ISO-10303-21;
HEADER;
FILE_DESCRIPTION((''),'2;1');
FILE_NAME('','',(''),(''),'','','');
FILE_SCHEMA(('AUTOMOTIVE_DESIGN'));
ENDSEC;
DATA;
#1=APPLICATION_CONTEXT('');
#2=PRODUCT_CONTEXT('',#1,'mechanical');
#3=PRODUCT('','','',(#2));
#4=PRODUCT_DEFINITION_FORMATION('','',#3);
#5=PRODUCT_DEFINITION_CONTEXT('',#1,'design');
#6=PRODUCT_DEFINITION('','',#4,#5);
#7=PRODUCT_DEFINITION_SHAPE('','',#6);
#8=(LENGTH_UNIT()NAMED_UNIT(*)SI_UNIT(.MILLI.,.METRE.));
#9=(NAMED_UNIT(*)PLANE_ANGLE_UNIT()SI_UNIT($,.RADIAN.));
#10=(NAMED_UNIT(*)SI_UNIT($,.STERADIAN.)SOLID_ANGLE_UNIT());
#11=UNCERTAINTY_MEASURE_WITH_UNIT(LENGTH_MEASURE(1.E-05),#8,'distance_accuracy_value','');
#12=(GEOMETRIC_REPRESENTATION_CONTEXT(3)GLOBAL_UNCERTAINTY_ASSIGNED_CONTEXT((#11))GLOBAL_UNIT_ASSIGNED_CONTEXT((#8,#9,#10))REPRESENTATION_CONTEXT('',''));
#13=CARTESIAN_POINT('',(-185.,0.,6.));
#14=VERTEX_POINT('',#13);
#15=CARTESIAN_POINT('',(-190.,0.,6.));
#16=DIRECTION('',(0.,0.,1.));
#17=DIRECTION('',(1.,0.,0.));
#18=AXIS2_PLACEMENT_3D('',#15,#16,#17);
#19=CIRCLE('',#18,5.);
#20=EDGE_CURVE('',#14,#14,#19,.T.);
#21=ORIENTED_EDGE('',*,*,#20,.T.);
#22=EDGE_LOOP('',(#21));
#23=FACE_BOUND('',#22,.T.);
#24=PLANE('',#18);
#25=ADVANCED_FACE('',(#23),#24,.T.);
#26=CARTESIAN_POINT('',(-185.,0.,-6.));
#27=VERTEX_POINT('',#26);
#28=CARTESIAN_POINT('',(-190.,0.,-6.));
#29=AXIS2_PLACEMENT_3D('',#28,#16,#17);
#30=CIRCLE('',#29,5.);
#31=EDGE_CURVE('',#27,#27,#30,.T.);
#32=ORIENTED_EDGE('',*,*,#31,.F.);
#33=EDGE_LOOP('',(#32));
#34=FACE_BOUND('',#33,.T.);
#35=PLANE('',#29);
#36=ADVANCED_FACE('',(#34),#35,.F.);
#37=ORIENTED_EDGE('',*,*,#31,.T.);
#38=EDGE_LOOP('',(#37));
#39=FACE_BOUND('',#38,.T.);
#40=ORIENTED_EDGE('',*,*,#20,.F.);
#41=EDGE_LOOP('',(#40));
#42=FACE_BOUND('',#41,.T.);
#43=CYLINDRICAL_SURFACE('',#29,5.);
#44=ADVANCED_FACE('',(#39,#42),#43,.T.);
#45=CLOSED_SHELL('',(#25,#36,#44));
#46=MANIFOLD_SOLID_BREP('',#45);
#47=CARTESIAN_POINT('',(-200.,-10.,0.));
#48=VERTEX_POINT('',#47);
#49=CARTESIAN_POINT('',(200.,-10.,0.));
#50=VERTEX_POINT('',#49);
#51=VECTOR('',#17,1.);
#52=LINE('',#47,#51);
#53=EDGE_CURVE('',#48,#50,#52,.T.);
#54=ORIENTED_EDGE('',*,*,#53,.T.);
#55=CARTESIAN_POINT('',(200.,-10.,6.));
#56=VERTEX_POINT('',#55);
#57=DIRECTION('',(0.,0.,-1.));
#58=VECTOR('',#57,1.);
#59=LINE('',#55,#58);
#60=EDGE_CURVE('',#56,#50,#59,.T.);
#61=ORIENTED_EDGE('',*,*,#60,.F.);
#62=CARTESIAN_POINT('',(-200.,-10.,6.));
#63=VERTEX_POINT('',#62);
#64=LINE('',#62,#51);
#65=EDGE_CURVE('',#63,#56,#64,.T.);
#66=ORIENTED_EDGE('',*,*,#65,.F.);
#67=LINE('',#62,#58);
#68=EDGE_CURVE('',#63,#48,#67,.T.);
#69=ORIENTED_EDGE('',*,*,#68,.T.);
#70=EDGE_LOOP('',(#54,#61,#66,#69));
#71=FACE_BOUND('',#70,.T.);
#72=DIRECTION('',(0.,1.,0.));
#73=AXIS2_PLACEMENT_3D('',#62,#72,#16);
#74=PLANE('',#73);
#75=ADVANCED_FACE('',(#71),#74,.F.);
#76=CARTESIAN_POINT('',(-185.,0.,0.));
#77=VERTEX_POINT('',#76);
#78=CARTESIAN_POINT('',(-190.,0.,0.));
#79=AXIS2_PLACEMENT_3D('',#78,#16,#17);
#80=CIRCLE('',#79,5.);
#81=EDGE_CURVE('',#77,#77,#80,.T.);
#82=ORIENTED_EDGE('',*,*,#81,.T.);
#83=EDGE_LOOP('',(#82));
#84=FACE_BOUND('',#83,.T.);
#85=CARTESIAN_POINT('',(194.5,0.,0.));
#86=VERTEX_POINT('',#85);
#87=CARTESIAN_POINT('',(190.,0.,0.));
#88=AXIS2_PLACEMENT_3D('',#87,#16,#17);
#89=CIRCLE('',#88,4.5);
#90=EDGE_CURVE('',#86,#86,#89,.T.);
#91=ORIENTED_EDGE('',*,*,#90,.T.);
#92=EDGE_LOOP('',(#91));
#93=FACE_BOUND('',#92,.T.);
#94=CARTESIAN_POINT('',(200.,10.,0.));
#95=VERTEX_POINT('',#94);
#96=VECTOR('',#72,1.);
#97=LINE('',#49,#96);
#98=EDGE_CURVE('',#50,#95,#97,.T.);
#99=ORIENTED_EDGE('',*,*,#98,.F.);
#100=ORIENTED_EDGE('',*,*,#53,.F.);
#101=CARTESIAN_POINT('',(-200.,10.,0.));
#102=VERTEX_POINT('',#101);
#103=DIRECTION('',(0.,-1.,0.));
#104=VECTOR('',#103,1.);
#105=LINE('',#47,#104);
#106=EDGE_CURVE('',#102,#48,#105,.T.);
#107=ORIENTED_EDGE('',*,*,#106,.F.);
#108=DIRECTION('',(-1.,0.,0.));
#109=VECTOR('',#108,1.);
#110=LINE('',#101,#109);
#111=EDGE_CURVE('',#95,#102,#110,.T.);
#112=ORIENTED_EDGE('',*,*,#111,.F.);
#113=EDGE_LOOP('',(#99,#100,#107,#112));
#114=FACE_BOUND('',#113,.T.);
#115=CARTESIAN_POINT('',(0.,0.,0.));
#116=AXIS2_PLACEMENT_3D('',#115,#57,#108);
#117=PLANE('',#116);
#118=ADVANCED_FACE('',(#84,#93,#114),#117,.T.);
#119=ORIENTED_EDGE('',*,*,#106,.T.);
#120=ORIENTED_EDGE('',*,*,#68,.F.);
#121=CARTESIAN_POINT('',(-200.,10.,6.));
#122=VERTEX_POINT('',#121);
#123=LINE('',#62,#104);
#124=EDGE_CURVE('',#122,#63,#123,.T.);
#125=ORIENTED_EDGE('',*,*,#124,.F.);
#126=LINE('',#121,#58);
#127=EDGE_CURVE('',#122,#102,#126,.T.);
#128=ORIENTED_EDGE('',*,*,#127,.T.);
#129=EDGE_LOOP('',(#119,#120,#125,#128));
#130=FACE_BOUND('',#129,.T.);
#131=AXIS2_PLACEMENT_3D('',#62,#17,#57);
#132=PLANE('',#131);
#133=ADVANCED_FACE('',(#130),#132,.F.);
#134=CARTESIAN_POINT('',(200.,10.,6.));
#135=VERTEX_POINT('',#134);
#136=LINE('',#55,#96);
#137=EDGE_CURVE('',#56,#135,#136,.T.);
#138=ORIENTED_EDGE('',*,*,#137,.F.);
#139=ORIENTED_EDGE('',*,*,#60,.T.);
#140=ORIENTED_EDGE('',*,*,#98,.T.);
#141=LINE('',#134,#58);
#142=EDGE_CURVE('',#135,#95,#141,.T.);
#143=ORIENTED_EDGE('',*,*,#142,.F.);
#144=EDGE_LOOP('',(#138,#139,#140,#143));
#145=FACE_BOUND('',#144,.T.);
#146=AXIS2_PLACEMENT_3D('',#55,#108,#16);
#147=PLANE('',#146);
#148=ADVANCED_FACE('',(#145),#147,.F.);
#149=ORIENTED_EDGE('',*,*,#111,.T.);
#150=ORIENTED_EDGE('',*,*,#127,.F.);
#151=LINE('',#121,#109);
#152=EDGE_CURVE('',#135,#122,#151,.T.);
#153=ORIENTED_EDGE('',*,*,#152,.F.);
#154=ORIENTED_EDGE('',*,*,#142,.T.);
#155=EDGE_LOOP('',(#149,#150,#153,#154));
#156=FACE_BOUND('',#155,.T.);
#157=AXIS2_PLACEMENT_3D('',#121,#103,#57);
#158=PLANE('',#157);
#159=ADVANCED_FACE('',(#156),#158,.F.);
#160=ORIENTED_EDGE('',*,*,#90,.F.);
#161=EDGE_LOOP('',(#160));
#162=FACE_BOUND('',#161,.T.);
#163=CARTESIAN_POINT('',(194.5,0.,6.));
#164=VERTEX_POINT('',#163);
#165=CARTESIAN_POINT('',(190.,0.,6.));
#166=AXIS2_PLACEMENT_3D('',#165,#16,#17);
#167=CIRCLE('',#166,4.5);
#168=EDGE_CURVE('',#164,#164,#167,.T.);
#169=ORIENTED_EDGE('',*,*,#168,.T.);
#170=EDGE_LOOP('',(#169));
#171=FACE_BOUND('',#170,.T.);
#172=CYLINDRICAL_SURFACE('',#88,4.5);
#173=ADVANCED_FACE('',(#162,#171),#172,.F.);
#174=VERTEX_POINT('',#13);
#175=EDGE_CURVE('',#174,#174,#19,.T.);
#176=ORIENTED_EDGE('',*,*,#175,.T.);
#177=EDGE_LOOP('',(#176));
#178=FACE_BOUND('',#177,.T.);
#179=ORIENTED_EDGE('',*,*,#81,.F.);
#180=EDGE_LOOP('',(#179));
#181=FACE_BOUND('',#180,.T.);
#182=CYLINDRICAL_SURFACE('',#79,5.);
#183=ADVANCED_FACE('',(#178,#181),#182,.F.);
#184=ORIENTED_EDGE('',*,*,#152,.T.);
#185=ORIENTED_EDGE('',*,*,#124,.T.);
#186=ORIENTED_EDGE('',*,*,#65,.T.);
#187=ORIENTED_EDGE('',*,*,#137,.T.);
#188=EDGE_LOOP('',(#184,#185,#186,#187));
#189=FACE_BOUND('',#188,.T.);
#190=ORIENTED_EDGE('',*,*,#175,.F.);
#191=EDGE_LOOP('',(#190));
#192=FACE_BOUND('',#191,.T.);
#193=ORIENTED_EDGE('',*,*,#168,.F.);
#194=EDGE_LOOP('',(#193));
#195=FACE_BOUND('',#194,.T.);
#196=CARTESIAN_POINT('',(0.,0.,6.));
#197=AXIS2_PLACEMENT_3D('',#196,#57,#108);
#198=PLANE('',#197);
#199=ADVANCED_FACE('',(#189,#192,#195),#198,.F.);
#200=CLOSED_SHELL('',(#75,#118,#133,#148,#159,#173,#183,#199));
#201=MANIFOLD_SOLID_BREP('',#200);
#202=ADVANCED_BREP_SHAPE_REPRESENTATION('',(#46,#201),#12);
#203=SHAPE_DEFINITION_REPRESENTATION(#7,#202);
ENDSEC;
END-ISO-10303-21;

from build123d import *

# Parameters (mm, degrees)
ESQUISSE1_W             = 400
ESQUISSE1_H             = 20
BOSS_EXTRU_1_DEPTH      = 6
ESQUISSE2_R             = 4.5
ESQUISSE2_R_2           = 5
ENL_V_MAT_EXTRU_1_DEPTH = 201.33971149
ESQUISSE3_R             = 5
BOSS_EXTRU_2_DEPTH      = 12


with BuildPart() as part:
    # Esquisse1 → Boss.-Extru.1 (new body)
    with BuildSketch(Plane.XY):
        Rectangle(ESQUISSE1_W, ESQUISSE1_H)
    extrude(amount=BOSS_EXTRU_1_DEPTH)

    # Esquisse2 → Enlèv. mat.-Extru.1 (cut, through all)
    with BuildSketch(Plane.XY.offset(6)):
        with Locations((190, 0)):
            Circle(ESQUISSE2_R)
        with Locations((-190, 0)):
            Circle(ESQUISSE2_R_2)
    extrude(amount=-ENL_V_MAT_EXTRU_1_DEPTH, mode=Mode.SUBTRACT)


with BuildPart() as body_2:
    # Esquisse3 → Boss.-Extru.2 (new body)
    with BuildSketch(Plane.XY.offset(6)):
        with Locations((-190, 0)):
            Circle(ESQUISSE3_R)
    extrude(amount=-BOSS_EXTRU_2_DEPTH)


solid = Compound([part.part, body_2.part])
